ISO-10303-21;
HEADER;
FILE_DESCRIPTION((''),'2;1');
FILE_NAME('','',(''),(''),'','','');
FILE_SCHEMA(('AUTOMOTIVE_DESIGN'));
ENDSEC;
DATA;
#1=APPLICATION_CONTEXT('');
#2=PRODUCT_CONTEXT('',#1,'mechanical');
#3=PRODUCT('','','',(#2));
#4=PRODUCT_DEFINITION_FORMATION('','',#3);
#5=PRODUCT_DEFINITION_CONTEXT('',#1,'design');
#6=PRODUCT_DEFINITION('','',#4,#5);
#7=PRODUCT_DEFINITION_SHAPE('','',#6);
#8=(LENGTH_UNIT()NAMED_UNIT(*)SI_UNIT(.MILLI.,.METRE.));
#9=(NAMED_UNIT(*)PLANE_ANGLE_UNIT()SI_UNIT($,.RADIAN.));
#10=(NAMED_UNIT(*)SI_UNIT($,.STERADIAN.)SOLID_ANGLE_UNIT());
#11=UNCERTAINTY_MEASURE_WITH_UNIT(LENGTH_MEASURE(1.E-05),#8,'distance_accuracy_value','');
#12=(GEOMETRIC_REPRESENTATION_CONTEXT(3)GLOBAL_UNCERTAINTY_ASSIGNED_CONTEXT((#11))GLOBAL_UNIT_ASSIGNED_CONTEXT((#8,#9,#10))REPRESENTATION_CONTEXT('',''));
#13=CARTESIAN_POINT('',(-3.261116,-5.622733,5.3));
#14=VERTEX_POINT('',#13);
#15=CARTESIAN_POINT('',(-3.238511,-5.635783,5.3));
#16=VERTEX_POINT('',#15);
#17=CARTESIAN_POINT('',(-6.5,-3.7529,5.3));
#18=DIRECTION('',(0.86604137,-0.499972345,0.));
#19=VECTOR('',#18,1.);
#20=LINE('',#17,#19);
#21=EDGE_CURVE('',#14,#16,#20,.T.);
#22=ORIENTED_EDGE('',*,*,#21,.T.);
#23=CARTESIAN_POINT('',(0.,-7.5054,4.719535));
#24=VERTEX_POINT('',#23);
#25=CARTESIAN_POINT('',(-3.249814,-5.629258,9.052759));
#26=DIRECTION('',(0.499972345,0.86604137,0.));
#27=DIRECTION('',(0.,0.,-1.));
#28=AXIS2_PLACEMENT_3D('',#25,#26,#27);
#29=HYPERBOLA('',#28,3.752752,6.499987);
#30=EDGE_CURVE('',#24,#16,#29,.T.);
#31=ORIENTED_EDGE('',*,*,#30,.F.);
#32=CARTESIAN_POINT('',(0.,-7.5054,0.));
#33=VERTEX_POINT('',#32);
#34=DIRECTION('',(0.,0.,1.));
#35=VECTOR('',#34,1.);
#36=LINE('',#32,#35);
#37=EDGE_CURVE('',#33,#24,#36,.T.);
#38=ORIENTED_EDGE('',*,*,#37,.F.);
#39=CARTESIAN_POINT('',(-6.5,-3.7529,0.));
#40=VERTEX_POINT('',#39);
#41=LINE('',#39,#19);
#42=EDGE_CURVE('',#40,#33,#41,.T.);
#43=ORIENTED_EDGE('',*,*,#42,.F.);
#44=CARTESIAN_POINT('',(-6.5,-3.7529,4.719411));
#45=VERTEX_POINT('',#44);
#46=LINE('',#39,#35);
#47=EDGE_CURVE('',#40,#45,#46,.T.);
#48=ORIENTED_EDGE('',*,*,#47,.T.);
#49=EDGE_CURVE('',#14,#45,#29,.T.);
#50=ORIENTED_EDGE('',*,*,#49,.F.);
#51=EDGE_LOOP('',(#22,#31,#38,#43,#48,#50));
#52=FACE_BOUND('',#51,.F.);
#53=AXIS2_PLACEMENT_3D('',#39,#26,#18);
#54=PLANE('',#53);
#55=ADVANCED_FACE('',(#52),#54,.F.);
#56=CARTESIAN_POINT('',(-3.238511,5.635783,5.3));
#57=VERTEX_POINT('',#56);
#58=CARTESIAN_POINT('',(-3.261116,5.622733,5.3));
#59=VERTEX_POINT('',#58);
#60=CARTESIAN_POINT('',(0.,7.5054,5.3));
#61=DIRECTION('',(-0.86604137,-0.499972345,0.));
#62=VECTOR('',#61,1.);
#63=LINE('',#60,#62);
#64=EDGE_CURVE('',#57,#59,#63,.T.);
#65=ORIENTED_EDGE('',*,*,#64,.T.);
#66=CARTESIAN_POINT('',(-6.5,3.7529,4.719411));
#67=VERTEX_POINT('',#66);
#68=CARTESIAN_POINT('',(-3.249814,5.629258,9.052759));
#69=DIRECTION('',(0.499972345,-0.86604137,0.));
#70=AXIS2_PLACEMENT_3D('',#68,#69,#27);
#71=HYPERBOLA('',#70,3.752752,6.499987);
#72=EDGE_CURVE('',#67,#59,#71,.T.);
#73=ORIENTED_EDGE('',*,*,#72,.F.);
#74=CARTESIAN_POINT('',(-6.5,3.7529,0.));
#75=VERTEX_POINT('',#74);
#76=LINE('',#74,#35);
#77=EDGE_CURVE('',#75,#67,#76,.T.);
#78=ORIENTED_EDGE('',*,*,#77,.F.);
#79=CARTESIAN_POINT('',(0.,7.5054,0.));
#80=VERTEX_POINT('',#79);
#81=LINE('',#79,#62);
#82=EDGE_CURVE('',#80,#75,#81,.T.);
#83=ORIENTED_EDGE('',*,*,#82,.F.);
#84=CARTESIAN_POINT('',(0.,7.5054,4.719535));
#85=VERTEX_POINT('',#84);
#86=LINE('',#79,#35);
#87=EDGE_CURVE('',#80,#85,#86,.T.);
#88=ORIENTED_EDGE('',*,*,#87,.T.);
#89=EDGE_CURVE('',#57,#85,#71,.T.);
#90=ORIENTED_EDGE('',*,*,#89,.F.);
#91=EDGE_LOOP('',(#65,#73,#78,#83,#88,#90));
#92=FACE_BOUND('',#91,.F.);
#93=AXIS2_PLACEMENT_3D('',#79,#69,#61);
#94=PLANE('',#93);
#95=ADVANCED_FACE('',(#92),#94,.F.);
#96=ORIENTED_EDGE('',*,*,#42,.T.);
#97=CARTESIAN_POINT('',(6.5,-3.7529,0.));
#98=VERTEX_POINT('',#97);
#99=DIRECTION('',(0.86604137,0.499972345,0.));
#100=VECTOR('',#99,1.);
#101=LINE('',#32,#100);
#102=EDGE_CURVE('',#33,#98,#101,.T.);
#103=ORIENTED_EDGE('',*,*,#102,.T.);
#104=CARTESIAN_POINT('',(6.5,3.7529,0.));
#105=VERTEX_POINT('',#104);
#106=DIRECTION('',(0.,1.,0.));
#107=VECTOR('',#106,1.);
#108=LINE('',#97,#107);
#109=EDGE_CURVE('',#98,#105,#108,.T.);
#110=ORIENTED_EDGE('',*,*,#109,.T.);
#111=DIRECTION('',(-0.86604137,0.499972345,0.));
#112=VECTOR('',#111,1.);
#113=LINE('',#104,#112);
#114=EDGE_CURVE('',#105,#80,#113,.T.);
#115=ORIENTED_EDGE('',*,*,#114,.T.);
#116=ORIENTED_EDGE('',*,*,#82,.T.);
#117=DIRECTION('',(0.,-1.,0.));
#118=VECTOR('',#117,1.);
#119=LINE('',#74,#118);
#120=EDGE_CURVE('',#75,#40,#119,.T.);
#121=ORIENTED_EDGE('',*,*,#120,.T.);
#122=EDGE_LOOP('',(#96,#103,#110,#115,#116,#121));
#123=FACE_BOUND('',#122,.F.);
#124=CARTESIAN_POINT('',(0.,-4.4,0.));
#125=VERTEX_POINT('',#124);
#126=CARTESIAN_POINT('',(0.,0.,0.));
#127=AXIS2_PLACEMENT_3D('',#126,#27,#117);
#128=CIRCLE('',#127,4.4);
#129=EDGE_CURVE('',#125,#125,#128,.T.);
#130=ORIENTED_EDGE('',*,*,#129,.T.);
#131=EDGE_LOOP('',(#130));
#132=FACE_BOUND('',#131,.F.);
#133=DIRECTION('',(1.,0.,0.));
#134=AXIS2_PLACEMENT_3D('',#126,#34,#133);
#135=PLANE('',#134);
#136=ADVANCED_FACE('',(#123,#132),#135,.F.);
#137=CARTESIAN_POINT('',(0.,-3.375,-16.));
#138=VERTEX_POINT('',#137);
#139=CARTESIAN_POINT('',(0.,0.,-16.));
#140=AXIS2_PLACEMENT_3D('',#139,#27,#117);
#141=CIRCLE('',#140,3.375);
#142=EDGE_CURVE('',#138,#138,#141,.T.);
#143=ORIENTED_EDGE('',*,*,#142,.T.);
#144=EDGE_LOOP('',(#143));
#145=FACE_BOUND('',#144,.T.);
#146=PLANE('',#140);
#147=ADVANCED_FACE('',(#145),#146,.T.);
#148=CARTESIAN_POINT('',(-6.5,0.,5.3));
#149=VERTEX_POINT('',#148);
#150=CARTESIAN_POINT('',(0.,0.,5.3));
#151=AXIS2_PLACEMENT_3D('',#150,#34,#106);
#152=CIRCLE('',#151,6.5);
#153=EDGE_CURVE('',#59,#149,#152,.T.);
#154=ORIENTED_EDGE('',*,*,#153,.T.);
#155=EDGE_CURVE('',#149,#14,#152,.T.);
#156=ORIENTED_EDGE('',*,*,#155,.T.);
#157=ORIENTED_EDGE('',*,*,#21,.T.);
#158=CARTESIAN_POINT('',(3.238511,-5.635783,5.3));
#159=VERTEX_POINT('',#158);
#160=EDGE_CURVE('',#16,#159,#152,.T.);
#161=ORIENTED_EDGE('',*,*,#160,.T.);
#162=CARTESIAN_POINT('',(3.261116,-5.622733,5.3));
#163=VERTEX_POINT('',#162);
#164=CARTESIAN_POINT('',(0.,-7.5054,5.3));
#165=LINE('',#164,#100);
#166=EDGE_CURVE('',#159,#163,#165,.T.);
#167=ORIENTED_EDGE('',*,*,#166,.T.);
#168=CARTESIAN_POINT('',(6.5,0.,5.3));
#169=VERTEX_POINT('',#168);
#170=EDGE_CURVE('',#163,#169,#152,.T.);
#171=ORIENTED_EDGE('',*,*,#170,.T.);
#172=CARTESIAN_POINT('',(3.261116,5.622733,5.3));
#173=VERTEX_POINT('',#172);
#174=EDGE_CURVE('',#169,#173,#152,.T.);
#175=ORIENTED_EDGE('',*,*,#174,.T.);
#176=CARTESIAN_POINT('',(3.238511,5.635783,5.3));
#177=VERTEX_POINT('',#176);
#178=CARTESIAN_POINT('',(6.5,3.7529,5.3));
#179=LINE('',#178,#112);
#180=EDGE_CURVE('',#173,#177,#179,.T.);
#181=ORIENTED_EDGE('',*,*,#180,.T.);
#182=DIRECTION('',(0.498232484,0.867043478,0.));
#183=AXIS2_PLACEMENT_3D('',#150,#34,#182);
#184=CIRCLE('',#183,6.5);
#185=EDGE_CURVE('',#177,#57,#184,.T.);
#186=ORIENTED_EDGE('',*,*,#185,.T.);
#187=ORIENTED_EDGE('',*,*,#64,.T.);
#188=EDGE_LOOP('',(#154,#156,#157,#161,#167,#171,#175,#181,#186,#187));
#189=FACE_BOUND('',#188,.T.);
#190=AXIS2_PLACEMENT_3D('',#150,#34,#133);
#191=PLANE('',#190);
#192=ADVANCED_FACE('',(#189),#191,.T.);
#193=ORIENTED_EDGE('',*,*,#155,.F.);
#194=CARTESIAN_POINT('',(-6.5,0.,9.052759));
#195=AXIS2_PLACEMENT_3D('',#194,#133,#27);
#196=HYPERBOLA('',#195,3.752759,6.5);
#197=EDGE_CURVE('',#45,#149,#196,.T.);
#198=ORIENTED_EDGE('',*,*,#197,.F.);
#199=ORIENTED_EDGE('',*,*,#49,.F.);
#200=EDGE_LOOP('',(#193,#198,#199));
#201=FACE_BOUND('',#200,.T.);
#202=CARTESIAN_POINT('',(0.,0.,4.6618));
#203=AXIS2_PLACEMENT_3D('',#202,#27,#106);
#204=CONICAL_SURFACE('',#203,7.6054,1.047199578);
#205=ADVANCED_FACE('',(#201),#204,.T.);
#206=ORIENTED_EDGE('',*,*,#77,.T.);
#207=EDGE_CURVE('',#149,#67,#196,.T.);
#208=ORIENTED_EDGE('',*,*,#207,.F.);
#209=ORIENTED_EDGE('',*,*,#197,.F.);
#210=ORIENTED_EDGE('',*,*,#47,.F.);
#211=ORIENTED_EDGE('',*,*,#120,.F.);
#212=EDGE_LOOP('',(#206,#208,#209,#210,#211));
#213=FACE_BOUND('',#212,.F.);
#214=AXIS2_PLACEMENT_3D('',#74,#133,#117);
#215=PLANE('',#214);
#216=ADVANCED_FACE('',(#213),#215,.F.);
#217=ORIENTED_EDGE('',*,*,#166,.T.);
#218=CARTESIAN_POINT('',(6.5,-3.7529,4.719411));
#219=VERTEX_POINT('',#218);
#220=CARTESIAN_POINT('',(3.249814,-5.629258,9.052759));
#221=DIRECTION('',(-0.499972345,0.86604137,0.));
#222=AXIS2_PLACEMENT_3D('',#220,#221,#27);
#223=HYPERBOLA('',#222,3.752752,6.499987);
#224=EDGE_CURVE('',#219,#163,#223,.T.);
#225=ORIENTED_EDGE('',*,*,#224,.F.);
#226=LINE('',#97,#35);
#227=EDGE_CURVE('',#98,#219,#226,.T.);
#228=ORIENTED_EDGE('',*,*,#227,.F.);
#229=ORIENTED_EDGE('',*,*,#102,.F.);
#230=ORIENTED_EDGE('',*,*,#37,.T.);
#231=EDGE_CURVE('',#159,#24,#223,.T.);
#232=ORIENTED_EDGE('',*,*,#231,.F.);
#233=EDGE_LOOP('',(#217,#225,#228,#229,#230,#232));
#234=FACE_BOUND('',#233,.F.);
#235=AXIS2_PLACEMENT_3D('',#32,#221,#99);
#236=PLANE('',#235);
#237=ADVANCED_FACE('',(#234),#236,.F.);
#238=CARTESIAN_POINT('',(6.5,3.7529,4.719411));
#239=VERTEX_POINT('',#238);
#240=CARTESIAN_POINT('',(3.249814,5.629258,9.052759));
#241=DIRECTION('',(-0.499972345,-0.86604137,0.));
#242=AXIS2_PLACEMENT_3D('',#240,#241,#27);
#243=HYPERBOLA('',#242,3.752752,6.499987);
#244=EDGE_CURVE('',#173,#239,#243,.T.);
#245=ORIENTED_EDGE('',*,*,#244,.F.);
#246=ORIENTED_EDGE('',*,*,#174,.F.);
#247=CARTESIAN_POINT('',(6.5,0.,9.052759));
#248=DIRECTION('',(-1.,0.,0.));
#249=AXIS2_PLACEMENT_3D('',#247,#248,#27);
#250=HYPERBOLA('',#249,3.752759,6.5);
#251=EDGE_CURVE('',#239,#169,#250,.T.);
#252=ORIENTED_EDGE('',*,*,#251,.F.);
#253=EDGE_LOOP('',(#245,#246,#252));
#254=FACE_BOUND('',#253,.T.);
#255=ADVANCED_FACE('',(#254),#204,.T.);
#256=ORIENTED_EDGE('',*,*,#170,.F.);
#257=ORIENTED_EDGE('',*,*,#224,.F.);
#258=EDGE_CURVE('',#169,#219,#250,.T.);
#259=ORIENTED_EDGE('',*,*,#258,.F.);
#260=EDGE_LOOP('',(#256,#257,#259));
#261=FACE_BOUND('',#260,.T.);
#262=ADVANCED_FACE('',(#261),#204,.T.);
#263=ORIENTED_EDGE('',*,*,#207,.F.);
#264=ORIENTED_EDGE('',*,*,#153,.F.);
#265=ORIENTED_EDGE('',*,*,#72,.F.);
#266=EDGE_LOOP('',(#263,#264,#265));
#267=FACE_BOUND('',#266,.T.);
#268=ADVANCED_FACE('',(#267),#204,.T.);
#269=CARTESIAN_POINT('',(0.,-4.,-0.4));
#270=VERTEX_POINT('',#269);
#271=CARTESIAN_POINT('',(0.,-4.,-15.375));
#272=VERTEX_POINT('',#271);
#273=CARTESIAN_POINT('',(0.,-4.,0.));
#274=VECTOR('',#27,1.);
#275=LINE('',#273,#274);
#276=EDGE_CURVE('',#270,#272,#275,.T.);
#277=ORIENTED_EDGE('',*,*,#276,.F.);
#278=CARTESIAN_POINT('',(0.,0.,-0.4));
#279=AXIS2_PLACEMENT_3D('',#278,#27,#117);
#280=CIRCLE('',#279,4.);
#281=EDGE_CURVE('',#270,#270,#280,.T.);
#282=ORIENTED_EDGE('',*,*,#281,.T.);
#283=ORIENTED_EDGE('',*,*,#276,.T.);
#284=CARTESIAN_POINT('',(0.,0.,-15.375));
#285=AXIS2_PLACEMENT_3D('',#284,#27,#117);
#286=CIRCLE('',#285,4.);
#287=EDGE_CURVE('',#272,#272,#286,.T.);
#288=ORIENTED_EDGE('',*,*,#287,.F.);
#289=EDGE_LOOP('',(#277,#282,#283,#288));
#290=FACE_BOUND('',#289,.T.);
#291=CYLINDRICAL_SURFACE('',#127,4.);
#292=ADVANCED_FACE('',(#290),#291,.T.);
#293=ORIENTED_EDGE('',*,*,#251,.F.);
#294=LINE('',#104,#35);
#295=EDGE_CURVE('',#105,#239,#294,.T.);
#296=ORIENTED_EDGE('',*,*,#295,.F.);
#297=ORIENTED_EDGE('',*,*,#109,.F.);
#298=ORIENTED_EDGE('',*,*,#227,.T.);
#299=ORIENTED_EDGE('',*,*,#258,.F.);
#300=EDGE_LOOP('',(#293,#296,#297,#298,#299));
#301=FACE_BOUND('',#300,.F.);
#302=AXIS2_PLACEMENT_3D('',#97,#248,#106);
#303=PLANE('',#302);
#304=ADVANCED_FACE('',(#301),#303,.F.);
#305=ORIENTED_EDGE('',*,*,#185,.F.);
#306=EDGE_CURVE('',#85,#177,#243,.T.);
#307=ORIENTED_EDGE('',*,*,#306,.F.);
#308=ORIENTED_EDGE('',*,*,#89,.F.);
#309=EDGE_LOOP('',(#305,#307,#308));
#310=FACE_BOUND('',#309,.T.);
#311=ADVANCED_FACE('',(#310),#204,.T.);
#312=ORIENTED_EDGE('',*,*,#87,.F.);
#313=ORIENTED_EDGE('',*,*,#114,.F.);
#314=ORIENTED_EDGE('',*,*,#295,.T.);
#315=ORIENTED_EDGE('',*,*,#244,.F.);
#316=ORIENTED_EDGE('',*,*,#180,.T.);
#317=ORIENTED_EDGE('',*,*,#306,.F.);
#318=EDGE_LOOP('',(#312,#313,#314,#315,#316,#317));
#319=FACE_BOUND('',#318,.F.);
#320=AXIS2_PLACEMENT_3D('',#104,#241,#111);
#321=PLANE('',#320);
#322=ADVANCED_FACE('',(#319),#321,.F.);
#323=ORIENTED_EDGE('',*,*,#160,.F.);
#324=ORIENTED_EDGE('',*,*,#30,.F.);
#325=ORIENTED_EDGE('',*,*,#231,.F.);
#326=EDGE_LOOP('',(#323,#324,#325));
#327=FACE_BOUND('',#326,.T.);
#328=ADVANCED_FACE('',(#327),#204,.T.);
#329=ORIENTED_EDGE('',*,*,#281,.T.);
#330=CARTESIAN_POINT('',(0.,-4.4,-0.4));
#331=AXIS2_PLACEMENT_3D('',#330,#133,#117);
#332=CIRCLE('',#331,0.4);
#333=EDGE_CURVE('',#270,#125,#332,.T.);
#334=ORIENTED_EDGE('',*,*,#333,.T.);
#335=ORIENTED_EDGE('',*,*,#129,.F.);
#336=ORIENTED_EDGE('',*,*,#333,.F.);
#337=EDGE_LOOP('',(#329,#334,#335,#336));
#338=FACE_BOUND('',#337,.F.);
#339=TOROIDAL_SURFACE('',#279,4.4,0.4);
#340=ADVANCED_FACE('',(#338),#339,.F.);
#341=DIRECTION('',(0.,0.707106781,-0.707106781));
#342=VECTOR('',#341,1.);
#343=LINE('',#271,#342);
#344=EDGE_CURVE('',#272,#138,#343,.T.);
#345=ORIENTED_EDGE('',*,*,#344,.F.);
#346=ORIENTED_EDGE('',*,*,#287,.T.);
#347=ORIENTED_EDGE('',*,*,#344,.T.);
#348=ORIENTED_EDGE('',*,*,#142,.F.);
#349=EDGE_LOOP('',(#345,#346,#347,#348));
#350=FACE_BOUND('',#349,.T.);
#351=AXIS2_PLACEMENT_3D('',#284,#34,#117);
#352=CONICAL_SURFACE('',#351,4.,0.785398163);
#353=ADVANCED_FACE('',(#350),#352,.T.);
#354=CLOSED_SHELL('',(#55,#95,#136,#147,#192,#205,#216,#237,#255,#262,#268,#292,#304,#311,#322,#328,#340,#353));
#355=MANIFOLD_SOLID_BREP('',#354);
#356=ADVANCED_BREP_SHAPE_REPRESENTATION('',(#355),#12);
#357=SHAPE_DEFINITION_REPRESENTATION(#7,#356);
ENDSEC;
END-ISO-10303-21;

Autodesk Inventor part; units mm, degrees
ref_plane "WorkPlane1" through (0, 0, 0) normal (0, 0, 1) x (1, 0, 0)
sketch "Sketch1" plane through (0, 0, 0) normal (0, 0, 1) x (1, 0, 0)
  point P0 (0, 0)
sketch "Sketch2" plane through (0, 0, 0) normal (0, 0, 1) x (1, 0, 0)
  line L0 (-6.5, 3.7529) -> (-6.5, -3.7529)
  line L1 (0, 7.5054) -> (-6.5, 3.7529)
  line L2 (6.5, 3.7529) -> (0, 7.5054)
  line L3 (6.5, -3.7529) -> (6.5, 3.7529)
  line L4 (0, -7.5054) -> (6.5, -3.7529)
  line L5 (-6.5, -3.7529) -> (0, -7.5054)
  circle A0 centre (0, 0) radius 6.5 construction
  dimension "d1" = 13
  dimension "d29" = 0
  dimension "d30" = 0
extrude "Extrusion1" add sketch "Sketch2" along normal blind 5.3
sketch "Sketch3" plane through (0, 0, 0) normal (1, 0, 0) x (0, 1, 0)
  line L0 (6.5, 5.3) -> (7.6054, 5.3)
  line L1 (7.6054, 4.6618) -> (6.5, 5.3)
  line L2 (7.6054, 5.3) -> (7.6054, 4.6618)
  line L3 (0, -1.06) -> (0, 6.36) projected
  line L4 (7.5054, 0) -> (7.5054, 5.3) projected
  dimension "d25" = 0.1
  dimension "d26" = 0
  dimension "d27" = 60
  dimension "d28" = 6.5
revolve "Revolution1" cut sketch "Sketch3" angle 360 about axis through (0, 0, -10) along (0, 0, 1)
sketch "Sketch4" plane through (0, 0, 0) normal (1, 0, 0) x (0, 1, 0)
  line L0 (0, -16) -> (0, 0)
  line L1 (-4, -16) -> (0, -16)
  line L2 (-4, 0) -> (-4, -16)
  line L3 (0, 0) -> (-4, 0)
  line L4 (0, -16) -> (0, 0)
  line L5 (-4.8, 0) -> (0.8, 0) projected
  line L6 (0, -19.2) -> (0, 3.2) projected
  dimension "d18" = 4
  dimension "d20" = 16
  dimension "d33" = 0
  dimension "d34" = 0
revolve "Revolution2" add sketch "Sketch4" angle 360 about axis through (0, 0, -16) along (0, 0, -1)
chamfer "Chamfer1" distance 0.625 angle 45 1 edges at (0, 4, -16)
fillet "Fillet1" radius 0.4 1 edges at (0, 4, 0)
thread "Thread1" size "M8x1.25" class "6g" standard "ISO Metric profile" length 13.5
ref_plane "MSC_PF1" through (0, 0, 0) normal (1, 0, 0) x (0, 1, 0)
ref_plane "MSC_PT1" through (0, 0, 0) normal (0, 0, -1) x (-1, 0, 0)
equation "\"d22\" = 0.5 * PTC"
equation "\"d23\" = 0.5 * PTC"
equation "\"d24\" = r"
equation "\"d1\" = ParS"
equation "\"d6\" = ParK"
equation "\"b\" = NLG - 2 * PTC"
equation "\"d28\" = 0.5 * ParS"
equation "\"d18\" = 0.5 * NND"
equation "\"d20\" = NLG"
equation "\"NND\" = 8"
equation "\"NLG\" = 16"
equation "\"PTC\" = 1.25"
equation "\"ParK\" = 5.3"
equation "\"ParS\" = 13"
equation "\"msp_es\" = 0.577367 * ParS"
equation "\"r\" = 0.4"
equation "\"THREADDIA\" = NND"
properties part number "ISO 4018 - M8 x 16" material "Steel"
